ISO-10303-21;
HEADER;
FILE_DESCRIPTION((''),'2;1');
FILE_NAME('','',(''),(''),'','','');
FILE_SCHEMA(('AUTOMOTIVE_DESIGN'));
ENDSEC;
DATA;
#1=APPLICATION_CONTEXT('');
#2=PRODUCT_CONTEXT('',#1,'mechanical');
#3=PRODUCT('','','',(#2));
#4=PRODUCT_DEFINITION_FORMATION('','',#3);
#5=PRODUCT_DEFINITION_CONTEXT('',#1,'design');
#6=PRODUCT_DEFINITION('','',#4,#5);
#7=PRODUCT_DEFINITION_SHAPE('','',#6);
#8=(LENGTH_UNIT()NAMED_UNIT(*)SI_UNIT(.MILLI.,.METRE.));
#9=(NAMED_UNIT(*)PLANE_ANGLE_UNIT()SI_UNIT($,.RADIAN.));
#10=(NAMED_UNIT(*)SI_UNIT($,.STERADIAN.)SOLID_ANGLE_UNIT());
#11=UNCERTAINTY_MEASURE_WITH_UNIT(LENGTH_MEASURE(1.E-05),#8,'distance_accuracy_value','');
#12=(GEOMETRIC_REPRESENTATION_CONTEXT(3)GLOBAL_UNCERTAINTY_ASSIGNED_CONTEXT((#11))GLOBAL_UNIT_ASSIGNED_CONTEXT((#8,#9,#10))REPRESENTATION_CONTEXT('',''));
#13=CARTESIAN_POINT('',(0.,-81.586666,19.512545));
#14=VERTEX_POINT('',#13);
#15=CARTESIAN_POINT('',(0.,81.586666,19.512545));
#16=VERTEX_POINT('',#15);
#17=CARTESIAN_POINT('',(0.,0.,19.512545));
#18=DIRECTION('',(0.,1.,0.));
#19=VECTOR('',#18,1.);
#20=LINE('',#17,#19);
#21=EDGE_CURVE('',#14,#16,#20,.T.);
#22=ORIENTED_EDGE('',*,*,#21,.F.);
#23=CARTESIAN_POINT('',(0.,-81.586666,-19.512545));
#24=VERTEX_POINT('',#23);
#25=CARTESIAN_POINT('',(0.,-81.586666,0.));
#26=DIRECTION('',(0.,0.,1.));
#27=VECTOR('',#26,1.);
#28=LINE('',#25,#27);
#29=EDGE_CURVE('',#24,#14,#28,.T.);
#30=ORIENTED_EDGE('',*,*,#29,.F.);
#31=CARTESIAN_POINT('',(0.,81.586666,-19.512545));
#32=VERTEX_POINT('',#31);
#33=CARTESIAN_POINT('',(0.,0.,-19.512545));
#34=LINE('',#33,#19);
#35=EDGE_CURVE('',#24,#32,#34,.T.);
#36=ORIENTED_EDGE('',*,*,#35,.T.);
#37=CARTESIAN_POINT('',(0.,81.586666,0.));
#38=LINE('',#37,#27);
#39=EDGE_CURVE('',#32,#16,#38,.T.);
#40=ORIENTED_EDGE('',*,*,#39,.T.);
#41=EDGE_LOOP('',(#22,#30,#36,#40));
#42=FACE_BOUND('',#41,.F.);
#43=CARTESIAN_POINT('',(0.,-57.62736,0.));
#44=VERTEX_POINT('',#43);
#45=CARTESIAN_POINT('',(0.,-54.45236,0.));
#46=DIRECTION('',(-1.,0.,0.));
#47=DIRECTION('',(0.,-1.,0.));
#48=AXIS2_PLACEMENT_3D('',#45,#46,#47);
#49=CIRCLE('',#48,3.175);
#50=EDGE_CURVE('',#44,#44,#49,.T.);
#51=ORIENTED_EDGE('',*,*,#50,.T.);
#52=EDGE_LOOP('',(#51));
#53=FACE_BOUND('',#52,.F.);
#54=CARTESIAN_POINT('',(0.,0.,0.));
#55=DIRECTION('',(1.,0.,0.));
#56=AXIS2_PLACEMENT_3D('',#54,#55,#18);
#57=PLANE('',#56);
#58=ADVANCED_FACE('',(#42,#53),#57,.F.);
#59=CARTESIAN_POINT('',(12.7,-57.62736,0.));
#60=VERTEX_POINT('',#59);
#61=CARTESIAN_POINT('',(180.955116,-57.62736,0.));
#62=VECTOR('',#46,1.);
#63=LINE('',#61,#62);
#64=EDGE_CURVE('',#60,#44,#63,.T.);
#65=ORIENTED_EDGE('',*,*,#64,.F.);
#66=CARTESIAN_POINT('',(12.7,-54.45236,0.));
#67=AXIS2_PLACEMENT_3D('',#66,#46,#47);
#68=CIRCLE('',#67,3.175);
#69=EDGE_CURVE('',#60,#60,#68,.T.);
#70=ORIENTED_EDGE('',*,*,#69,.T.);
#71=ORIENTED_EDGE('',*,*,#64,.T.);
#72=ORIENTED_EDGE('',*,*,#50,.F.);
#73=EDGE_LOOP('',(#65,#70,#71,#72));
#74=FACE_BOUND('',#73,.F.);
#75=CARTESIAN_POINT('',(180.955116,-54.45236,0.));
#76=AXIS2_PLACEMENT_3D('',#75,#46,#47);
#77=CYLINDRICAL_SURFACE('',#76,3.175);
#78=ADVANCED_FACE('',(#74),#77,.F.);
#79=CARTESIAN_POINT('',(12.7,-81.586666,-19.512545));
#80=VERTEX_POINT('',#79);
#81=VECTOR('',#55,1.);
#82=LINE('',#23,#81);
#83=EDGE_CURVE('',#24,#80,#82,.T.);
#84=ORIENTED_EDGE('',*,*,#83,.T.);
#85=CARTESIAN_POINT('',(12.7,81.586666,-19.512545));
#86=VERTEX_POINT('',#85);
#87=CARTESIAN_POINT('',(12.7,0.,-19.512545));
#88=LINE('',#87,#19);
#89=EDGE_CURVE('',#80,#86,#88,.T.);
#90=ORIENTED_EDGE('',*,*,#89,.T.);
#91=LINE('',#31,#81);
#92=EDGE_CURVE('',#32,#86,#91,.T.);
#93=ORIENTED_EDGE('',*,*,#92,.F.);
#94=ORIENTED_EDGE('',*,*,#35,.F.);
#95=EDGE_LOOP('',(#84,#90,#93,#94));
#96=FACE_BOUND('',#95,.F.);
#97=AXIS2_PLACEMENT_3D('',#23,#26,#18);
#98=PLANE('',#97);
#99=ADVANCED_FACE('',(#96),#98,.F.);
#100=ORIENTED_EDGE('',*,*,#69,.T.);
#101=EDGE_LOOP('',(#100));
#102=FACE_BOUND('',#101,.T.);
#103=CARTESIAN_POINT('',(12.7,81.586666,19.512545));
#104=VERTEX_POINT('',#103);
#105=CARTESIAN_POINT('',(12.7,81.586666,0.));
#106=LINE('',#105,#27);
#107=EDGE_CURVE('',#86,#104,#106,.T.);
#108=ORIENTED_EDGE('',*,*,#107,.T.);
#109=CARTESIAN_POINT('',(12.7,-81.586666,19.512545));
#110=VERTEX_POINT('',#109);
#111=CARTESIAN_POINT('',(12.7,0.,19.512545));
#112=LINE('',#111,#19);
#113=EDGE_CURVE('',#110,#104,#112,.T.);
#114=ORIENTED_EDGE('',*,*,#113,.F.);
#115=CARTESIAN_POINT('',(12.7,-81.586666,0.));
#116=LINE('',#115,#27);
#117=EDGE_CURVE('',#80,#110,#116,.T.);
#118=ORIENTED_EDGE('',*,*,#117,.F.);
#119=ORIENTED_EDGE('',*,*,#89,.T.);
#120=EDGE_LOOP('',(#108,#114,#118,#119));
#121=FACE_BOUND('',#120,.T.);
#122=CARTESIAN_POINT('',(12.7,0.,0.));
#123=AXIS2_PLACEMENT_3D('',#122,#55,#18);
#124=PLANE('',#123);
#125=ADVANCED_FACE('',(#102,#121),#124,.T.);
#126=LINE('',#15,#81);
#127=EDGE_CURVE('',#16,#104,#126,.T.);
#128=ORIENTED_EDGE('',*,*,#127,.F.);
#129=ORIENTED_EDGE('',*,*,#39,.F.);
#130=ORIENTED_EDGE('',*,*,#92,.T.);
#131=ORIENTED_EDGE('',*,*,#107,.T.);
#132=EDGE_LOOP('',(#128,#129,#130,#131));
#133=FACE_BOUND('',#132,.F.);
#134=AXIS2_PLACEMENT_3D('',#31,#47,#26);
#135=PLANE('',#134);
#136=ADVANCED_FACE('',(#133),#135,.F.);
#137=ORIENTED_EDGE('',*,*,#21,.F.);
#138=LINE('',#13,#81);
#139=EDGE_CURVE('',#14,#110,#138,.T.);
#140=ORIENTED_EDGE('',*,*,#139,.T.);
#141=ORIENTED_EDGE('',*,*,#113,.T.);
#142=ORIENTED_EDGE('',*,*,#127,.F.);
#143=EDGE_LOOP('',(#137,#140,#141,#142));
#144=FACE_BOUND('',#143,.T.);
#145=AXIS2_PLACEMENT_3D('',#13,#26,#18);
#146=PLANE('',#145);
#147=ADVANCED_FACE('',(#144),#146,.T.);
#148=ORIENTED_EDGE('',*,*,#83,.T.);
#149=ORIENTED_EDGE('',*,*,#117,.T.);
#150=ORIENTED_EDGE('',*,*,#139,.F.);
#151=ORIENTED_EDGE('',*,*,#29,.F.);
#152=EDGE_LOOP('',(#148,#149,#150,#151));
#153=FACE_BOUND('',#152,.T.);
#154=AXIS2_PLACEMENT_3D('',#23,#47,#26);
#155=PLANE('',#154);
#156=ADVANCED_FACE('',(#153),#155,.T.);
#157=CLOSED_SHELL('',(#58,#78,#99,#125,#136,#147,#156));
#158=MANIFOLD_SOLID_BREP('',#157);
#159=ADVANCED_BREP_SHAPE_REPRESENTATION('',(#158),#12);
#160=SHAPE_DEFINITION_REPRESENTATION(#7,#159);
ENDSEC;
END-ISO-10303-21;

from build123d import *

# Parameters (mm, degrees)
F0_W     = 163.173332
F0_H     = 39.02509
F1_DEPTH = 12.7
F3_D     = 6.35


with BuildPart() as f1:
    # F0 (on Right) → F1 (new body)
    with BuildSketch(Plane.YZ):
        Rectangle(F0_W, F0_H)
    extrude(amount=F1_DEPTH)

    # F3 (through all)
    with Locations(Plane.YZ.offset(12.7)):
        with Locations((-54.45236, 0)):
            Hole(F3_D / 2)


solid = f1.part
